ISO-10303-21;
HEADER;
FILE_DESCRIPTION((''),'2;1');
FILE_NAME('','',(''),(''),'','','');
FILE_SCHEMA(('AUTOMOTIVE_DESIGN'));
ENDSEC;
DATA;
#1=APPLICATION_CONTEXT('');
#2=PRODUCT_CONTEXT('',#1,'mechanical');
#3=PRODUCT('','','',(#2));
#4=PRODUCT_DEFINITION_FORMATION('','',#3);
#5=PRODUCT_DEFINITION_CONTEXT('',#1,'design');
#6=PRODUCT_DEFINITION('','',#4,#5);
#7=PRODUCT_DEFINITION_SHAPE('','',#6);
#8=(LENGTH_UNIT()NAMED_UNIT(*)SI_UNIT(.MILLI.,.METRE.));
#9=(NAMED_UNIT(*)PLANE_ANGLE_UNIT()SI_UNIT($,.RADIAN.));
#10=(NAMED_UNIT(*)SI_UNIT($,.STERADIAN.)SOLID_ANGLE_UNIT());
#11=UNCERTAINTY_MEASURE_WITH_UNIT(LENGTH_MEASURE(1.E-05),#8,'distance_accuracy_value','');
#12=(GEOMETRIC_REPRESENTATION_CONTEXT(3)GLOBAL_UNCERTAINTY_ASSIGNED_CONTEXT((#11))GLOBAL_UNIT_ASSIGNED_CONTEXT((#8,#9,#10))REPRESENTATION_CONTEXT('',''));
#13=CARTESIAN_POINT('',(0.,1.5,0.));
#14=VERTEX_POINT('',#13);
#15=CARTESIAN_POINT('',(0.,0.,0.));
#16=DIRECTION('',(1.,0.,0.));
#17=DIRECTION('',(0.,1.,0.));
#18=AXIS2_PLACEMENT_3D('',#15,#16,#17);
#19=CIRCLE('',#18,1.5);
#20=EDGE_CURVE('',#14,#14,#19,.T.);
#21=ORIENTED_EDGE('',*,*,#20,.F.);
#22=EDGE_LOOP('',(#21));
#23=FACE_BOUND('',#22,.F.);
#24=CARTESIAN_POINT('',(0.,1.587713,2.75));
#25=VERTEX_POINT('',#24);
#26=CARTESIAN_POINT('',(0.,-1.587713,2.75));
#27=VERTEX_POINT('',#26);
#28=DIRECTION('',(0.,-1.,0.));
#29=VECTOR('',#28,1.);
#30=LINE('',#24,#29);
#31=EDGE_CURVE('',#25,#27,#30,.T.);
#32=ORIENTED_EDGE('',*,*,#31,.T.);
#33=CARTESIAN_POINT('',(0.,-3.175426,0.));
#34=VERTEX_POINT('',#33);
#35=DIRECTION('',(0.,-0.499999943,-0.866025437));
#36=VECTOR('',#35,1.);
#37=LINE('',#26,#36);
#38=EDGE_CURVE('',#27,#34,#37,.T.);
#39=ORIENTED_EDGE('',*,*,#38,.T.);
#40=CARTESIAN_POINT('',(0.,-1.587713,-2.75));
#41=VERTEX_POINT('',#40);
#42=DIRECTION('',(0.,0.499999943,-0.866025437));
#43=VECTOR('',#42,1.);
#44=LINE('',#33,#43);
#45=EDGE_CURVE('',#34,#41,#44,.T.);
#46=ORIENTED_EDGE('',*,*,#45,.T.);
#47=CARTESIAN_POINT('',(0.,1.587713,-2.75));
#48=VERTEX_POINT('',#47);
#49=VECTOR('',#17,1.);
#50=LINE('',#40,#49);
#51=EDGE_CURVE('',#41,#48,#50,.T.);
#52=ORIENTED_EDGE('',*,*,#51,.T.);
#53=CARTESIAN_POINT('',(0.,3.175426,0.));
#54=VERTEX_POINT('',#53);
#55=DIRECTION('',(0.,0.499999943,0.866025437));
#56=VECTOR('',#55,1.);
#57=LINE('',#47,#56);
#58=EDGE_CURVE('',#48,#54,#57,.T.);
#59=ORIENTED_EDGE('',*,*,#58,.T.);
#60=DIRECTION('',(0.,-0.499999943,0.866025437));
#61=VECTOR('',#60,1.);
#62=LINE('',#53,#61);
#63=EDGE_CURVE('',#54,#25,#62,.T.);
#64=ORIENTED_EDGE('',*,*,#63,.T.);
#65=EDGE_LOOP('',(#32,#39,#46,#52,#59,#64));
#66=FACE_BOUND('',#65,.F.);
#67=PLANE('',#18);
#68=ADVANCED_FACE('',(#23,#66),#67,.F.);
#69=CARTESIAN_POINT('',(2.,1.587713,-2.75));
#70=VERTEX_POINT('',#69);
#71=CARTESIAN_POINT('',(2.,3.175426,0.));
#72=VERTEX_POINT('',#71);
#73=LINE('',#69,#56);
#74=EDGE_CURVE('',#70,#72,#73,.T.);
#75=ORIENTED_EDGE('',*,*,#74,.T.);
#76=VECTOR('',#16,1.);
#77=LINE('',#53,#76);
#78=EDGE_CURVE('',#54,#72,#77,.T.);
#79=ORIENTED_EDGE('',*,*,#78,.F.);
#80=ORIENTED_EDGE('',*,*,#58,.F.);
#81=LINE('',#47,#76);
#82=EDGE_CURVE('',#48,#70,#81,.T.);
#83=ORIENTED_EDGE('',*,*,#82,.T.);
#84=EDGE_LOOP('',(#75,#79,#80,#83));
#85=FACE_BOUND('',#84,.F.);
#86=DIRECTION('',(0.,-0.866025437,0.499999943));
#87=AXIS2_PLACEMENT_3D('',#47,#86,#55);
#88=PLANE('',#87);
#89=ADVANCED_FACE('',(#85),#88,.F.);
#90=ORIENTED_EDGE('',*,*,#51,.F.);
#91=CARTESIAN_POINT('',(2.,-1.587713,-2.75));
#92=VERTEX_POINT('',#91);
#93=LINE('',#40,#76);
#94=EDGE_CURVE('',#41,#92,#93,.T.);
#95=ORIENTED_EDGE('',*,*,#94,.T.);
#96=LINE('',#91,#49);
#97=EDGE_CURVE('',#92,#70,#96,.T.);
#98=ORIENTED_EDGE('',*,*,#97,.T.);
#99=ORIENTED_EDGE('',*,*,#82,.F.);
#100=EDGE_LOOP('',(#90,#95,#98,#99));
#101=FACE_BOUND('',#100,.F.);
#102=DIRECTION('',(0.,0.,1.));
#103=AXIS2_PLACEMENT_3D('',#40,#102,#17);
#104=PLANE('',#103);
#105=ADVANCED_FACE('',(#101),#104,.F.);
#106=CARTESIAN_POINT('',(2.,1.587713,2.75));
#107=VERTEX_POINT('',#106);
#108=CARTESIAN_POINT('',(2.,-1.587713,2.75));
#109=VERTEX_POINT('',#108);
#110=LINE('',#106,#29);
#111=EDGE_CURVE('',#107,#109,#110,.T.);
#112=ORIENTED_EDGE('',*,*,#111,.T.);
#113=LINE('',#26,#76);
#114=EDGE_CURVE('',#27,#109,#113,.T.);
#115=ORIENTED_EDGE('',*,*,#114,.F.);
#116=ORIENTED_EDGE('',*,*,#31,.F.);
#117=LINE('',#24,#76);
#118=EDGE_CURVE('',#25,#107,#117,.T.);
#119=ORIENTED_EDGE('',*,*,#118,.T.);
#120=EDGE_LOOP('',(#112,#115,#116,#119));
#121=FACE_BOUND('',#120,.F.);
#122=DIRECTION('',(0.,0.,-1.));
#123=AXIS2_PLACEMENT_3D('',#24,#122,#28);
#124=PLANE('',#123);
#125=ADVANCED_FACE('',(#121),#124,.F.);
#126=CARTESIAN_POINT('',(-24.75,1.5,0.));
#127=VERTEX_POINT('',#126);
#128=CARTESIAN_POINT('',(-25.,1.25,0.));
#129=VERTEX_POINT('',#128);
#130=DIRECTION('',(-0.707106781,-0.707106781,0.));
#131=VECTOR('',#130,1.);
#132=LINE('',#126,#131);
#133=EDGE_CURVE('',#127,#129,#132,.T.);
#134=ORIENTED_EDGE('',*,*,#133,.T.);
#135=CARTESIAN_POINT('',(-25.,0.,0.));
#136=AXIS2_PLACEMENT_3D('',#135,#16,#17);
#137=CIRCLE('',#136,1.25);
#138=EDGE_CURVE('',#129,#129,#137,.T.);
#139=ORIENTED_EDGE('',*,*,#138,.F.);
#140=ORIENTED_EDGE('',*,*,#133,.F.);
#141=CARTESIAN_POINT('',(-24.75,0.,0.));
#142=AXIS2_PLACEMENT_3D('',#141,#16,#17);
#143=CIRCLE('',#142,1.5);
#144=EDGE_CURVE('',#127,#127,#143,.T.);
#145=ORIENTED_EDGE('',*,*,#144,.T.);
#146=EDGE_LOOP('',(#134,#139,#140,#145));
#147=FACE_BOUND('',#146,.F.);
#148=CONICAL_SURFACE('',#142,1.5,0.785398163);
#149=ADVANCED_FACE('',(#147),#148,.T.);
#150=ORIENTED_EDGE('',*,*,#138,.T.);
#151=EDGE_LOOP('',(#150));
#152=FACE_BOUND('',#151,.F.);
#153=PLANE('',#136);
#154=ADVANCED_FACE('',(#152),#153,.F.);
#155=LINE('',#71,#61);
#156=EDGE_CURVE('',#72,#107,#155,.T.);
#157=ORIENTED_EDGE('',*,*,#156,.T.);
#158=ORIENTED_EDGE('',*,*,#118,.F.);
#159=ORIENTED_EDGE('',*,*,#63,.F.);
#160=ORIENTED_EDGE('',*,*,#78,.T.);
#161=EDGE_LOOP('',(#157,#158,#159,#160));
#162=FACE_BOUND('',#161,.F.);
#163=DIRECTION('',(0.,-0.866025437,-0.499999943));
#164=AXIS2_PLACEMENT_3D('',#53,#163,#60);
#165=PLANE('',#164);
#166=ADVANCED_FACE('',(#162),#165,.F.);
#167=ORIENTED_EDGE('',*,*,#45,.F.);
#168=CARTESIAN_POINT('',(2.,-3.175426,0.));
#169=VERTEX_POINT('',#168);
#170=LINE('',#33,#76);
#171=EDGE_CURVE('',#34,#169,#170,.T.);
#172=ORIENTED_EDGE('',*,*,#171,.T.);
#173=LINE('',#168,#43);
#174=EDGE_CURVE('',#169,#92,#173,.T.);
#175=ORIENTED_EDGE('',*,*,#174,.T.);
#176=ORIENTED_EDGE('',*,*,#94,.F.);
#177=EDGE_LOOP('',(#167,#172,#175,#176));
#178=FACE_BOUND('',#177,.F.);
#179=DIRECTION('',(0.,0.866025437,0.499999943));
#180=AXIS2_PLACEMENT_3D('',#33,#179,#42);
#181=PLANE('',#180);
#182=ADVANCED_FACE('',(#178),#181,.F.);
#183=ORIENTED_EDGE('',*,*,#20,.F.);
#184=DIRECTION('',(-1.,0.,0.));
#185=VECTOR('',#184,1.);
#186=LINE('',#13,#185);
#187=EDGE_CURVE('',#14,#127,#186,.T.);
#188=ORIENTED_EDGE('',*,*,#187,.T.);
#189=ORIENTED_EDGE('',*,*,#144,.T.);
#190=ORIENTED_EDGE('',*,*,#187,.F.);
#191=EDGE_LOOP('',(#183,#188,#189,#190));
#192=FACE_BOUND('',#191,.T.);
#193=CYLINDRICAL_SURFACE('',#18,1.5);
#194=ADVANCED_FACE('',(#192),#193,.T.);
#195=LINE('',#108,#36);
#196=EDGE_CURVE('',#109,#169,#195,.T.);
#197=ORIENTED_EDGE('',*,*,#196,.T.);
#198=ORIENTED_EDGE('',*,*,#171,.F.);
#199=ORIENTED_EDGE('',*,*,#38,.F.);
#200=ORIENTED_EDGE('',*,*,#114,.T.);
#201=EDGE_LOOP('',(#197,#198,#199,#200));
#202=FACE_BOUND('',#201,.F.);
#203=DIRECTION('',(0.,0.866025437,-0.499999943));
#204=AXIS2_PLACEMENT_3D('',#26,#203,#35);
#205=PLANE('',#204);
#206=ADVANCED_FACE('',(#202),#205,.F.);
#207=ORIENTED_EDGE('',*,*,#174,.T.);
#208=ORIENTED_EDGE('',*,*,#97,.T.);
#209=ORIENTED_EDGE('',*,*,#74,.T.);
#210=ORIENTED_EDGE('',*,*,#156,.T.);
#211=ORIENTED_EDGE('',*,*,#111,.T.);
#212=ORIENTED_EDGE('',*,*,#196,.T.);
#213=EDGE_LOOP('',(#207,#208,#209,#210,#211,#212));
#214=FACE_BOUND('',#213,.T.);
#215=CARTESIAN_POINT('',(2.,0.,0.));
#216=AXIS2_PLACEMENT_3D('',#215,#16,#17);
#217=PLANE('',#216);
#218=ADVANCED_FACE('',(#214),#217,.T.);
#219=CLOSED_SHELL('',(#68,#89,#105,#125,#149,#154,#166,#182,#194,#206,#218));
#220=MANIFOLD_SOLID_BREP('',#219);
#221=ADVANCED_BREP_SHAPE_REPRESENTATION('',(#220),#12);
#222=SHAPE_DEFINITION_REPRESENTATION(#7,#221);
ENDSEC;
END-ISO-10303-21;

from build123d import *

# Parameters (mm, degrees)
F1_DEPTH = 2
F2_R     = 1.5
F3_DEPTH = 25
F4_SIZE  = 0.25


with BuildPart() as f1:
    # F0 (on Right) → F1 (new body)
    with BuildSketch(Plane.YZ):
        Polygon((-1.587713, -2.75), (1.587713, -2.75), (3.175426, 0), (1.587713, 2.75), (-1.587713, 2.75), (-3.175426, 0), align=None)
    extrude(amount=F1_DEPTH)

    # F2 (on Right) → F3 (join)
    with BuildSketch(Plane.YZ):
        Circle(F2_R)
    extrude(amount=-F3_DEPTH)

    # F4
    f4_edges = [f1.edges().sort_by_distance(p)[0] for p in [
        (-25, -1.5, 0),
    ]]
    chamfer(f4_edges, length=F4_SIZE)


solid = f1.part
